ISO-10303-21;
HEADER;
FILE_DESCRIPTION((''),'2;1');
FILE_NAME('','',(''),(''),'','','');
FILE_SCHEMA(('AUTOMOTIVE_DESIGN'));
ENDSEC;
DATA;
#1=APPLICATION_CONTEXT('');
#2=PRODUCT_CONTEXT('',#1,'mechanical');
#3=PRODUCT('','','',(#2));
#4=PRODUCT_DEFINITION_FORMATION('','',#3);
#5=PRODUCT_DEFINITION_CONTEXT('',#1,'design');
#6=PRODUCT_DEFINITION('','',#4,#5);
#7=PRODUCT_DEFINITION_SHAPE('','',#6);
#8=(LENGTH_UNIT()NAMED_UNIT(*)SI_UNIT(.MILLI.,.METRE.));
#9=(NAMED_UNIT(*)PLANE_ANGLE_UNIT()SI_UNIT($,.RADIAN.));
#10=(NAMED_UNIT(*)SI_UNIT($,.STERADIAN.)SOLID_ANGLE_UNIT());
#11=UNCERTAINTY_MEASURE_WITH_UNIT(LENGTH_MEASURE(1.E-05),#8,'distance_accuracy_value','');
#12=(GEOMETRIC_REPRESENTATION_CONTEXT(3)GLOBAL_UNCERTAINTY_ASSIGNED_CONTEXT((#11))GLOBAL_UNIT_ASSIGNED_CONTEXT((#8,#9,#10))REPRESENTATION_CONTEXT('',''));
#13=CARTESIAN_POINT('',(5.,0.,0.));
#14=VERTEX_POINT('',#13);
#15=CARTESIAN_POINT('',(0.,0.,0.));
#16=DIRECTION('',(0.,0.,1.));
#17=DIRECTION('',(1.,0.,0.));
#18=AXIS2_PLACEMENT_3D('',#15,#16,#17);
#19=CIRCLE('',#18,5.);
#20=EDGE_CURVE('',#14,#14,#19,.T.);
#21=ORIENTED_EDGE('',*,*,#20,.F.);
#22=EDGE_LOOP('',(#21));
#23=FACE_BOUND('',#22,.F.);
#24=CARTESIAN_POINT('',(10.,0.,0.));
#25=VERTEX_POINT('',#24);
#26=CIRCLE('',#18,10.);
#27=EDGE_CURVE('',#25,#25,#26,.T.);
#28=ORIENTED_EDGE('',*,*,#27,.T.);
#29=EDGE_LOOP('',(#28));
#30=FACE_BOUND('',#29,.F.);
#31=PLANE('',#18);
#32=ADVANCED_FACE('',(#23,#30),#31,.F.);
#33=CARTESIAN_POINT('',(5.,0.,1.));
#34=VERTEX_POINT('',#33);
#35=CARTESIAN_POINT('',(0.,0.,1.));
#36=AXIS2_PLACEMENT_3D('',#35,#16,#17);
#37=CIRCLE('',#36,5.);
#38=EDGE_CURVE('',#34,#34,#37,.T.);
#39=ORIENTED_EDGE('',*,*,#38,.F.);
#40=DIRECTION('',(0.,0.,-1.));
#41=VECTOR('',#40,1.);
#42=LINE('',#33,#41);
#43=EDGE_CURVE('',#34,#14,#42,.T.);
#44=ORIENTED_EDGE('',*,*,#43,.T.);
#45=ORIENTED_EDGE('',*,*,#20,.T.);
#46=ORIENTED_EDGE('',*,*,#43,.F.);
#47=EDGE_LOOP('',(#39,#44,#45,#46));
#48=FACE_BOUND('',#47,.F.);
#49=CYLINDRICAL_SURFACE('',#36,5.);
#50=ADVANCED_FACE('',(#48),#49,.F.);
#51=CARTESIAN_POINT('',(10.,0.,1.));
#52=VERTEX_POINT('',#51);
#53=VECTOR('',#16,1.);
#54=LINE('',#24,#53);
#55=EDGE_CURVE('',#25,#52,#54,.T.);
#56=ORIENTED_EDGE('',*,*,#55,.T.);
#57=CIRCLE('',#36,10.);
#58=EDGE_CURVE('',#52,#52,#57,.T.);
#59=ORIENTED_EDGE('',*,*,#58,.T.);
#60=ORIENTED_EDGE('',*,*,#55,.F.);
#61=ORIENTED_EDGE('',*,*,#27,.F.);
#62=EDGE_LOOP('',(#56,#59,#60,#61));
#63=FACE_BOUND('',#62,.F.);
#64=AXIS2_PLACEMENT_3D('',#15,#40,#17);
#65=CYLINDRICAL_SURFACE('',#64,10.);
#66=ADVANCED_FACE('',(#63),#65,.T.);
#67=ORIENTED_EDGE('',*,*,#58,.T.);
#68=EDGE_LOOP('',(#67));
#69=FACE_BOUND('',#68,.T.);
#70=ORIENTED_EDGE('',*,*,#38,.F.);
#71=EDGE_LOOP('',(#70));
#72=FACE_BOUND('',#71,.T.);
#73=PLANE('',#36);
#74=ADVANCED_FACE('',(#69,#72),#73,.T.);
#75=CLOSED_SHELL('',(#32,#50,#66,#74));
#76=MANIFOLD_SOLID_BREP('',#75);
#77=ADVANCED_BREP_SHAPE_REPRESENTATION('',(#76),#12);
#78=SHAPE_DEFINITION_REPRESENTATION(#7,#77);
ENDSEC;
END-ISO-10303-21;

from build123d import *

# Parameters (mm, degrees)
SKETCH1_R           = 10
BOSS_EXTRUDE1_DEPTH = 1
SKETCH2_R           = 5
CUT_EXTRUDE1_DEPTH  = 4


with BuildPart() as part:
    # Sketch1 → Boss-Extrude1 (new body)
    with BuildSketch(Plane.XY):
        Circle(SKETCH1_R)
    extrude(amount=BOSS_EXTRUDE1_DEPTH)

    # Sketch2 → Cut-Extrude1 (cut)
    with BuildSketch(Plane.XY.offset(1)):
        Circle(SKETCH2_R)
    extrude(amount=-CUT_EXTRUDE1_DEPTH, mode=Mode.SUBTRACT)


solid = part.part
